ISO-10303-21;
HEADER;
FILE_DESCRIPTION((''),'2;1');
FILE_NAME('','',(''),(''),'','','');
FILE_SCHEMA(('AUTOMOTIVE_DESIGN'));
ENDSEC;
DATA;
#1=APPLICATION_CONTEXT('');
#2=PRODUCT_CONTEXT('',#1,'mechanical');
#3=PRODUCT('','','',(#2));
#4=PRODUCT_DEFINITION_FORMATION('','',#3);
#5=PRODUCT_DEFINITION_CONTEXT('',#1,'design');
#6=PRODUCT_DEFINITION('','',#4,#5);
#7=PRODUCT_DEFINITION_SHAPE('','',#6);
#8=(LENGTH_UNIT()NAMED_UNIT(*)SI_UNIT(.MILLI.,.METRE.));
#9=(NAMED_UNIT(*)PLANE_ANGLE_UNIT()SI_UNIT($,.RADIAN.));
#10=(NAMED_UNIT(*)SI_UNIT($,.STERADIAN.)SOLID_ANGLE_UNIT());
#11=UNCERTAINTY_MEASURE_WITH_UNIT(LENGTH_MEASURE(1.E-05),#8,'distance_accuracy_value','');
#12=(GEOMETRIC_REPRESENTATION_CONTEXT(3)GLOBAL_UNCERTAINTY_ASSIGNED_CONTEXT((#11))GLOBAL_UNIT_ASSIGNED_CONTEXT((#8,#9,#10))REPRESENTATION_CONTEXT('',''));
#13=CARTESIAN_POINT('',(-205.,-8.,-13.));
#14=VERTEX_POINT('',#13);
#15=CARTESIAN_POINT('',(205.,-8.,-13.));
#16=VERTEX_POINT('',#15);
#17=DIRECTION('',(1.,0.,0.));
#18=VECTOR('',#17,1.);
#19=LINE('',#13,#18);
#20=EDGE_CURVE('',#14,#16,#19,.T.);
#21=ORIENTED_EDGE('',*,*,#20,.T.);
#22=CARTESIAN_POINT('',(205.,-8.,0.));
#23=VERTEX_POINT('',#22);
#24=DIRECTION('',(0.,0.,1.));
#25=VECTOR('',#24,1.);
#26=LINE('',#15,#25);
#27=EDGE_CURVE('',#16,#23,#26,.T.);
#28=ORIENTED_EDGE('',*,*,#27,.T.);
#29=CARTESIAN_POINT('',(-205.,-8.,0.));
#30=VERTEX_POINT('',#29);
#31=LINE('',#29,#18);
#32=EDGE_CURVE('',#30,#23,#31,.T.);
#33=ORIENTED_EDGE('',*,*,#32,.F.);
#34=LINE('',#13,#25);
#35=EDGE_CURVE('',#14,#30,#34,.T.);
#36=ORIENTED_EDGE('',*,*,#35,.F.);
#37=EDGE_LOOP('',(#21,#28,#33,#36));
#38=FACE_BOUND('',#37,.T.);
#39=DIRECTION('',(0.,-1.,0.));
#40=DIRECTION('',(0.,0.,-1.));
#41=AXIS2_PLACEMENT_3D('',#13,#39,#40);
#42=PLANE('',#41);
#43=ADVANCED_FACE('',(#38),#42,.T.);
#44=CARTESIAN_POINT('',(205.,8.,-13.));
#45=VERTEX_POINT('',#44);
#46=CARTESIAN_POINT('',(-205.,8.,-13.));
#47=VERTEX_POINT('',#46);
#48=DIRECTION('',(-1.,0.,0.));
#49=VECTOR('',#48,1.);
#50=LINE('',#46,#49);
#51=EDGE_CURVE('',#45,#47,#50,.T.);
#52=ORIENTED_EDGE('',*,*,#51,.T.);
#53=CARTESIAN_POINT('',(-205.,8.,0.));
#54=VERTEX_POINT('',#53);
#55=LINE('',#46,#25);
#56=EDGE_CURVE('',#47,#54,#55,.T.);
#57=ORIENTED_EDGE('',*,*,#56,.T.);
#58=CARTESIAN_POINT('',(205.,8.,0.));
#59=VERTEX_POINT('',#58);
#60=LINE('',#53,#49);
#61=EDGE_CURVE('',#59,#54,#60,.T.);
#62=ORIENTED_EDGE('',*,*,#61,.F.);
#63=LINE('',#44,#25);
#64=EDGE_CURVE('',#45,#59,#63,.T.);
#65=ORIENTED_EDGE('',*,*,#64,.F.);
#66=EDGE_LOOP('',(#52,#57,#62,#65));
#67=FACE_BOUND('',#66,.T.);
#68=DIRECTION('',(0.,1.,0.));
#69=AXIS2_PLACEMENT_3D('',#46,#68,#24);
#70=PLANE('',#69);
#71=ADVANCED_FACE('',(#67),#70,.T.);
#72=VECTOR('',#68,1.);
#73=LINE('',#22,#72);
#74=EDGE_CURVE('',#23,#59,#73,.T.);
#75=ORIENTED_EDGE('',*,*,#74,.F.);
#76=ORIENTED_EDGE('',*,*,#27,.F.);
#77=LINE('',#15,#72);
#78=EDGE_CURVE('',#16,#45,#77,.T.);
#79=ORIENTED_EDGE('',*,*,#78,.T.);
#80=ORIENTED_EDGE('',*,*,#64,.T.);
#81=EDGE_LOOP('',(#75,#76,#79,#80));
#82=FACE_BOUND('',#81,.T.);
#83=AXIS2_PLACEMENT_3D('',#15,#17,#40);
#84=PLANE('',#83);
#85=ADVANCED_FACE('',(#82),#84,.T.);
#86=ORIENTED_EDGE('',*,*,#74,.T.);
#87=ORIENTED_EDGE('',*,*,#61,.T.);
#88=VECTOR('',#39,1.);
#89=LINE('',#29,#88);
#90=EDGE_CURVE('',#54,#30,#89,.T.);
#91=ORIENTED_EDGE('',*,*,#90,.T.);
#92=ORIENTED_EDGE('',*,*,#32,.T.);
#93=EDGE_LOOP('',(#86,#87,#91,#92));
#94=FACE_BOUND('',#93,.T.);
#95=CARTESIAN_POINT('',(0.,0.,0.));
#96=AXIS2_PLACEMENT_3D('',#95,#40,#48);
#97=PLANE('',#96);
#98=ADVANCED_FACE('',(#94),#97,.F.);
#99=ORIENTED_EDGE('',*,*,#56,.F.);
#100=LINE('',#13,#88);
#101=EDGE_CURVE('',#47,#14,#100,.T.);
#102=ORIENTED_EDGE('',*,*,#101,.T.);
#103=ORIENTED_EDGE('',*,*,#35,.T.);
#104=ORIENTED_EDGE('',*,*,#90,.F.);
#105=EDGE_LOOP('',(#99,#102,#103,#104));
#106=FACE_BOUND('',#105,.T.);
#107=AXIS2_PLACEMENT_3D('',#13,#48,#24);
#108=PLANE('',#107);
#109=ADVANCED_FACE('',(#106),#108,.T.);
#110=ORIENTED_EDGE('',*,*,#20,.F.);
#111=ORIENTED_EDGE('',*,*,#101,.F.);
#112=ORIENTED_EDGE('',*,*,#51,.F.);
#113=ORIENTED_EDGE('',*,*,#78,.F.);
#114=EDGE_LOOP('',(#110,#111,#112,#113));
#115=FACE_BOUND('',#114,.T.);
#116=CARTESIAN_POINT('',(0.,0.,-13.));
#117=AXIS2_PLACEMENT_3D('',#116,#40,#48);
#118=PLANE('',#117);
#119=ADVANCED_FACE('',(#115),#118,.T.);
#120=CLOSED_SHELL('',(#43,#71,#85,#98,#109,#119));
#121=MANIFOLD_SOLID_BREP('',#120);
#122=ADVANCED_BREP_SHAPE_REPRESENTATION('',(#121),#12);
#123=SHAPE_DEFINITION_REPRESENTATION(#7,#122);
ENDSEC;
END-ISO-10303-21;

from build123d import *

# Parameters (mm, degrees)
SKETCH1_W           = 410
SKETCH1_H           = 16
BOSS_EXTRUDE1_DEPTH = 13


with BuildPart() as part:
    # Sketch1 → Boss-Extrude1 (new body)
    with BuildSketch(Plane.XY):
        Rectangle(SKETCH1_W, SKETCH1_H)
    extrude(amount=-BOSS_EXTRUDE1_DEPTH)


solid = part.part
